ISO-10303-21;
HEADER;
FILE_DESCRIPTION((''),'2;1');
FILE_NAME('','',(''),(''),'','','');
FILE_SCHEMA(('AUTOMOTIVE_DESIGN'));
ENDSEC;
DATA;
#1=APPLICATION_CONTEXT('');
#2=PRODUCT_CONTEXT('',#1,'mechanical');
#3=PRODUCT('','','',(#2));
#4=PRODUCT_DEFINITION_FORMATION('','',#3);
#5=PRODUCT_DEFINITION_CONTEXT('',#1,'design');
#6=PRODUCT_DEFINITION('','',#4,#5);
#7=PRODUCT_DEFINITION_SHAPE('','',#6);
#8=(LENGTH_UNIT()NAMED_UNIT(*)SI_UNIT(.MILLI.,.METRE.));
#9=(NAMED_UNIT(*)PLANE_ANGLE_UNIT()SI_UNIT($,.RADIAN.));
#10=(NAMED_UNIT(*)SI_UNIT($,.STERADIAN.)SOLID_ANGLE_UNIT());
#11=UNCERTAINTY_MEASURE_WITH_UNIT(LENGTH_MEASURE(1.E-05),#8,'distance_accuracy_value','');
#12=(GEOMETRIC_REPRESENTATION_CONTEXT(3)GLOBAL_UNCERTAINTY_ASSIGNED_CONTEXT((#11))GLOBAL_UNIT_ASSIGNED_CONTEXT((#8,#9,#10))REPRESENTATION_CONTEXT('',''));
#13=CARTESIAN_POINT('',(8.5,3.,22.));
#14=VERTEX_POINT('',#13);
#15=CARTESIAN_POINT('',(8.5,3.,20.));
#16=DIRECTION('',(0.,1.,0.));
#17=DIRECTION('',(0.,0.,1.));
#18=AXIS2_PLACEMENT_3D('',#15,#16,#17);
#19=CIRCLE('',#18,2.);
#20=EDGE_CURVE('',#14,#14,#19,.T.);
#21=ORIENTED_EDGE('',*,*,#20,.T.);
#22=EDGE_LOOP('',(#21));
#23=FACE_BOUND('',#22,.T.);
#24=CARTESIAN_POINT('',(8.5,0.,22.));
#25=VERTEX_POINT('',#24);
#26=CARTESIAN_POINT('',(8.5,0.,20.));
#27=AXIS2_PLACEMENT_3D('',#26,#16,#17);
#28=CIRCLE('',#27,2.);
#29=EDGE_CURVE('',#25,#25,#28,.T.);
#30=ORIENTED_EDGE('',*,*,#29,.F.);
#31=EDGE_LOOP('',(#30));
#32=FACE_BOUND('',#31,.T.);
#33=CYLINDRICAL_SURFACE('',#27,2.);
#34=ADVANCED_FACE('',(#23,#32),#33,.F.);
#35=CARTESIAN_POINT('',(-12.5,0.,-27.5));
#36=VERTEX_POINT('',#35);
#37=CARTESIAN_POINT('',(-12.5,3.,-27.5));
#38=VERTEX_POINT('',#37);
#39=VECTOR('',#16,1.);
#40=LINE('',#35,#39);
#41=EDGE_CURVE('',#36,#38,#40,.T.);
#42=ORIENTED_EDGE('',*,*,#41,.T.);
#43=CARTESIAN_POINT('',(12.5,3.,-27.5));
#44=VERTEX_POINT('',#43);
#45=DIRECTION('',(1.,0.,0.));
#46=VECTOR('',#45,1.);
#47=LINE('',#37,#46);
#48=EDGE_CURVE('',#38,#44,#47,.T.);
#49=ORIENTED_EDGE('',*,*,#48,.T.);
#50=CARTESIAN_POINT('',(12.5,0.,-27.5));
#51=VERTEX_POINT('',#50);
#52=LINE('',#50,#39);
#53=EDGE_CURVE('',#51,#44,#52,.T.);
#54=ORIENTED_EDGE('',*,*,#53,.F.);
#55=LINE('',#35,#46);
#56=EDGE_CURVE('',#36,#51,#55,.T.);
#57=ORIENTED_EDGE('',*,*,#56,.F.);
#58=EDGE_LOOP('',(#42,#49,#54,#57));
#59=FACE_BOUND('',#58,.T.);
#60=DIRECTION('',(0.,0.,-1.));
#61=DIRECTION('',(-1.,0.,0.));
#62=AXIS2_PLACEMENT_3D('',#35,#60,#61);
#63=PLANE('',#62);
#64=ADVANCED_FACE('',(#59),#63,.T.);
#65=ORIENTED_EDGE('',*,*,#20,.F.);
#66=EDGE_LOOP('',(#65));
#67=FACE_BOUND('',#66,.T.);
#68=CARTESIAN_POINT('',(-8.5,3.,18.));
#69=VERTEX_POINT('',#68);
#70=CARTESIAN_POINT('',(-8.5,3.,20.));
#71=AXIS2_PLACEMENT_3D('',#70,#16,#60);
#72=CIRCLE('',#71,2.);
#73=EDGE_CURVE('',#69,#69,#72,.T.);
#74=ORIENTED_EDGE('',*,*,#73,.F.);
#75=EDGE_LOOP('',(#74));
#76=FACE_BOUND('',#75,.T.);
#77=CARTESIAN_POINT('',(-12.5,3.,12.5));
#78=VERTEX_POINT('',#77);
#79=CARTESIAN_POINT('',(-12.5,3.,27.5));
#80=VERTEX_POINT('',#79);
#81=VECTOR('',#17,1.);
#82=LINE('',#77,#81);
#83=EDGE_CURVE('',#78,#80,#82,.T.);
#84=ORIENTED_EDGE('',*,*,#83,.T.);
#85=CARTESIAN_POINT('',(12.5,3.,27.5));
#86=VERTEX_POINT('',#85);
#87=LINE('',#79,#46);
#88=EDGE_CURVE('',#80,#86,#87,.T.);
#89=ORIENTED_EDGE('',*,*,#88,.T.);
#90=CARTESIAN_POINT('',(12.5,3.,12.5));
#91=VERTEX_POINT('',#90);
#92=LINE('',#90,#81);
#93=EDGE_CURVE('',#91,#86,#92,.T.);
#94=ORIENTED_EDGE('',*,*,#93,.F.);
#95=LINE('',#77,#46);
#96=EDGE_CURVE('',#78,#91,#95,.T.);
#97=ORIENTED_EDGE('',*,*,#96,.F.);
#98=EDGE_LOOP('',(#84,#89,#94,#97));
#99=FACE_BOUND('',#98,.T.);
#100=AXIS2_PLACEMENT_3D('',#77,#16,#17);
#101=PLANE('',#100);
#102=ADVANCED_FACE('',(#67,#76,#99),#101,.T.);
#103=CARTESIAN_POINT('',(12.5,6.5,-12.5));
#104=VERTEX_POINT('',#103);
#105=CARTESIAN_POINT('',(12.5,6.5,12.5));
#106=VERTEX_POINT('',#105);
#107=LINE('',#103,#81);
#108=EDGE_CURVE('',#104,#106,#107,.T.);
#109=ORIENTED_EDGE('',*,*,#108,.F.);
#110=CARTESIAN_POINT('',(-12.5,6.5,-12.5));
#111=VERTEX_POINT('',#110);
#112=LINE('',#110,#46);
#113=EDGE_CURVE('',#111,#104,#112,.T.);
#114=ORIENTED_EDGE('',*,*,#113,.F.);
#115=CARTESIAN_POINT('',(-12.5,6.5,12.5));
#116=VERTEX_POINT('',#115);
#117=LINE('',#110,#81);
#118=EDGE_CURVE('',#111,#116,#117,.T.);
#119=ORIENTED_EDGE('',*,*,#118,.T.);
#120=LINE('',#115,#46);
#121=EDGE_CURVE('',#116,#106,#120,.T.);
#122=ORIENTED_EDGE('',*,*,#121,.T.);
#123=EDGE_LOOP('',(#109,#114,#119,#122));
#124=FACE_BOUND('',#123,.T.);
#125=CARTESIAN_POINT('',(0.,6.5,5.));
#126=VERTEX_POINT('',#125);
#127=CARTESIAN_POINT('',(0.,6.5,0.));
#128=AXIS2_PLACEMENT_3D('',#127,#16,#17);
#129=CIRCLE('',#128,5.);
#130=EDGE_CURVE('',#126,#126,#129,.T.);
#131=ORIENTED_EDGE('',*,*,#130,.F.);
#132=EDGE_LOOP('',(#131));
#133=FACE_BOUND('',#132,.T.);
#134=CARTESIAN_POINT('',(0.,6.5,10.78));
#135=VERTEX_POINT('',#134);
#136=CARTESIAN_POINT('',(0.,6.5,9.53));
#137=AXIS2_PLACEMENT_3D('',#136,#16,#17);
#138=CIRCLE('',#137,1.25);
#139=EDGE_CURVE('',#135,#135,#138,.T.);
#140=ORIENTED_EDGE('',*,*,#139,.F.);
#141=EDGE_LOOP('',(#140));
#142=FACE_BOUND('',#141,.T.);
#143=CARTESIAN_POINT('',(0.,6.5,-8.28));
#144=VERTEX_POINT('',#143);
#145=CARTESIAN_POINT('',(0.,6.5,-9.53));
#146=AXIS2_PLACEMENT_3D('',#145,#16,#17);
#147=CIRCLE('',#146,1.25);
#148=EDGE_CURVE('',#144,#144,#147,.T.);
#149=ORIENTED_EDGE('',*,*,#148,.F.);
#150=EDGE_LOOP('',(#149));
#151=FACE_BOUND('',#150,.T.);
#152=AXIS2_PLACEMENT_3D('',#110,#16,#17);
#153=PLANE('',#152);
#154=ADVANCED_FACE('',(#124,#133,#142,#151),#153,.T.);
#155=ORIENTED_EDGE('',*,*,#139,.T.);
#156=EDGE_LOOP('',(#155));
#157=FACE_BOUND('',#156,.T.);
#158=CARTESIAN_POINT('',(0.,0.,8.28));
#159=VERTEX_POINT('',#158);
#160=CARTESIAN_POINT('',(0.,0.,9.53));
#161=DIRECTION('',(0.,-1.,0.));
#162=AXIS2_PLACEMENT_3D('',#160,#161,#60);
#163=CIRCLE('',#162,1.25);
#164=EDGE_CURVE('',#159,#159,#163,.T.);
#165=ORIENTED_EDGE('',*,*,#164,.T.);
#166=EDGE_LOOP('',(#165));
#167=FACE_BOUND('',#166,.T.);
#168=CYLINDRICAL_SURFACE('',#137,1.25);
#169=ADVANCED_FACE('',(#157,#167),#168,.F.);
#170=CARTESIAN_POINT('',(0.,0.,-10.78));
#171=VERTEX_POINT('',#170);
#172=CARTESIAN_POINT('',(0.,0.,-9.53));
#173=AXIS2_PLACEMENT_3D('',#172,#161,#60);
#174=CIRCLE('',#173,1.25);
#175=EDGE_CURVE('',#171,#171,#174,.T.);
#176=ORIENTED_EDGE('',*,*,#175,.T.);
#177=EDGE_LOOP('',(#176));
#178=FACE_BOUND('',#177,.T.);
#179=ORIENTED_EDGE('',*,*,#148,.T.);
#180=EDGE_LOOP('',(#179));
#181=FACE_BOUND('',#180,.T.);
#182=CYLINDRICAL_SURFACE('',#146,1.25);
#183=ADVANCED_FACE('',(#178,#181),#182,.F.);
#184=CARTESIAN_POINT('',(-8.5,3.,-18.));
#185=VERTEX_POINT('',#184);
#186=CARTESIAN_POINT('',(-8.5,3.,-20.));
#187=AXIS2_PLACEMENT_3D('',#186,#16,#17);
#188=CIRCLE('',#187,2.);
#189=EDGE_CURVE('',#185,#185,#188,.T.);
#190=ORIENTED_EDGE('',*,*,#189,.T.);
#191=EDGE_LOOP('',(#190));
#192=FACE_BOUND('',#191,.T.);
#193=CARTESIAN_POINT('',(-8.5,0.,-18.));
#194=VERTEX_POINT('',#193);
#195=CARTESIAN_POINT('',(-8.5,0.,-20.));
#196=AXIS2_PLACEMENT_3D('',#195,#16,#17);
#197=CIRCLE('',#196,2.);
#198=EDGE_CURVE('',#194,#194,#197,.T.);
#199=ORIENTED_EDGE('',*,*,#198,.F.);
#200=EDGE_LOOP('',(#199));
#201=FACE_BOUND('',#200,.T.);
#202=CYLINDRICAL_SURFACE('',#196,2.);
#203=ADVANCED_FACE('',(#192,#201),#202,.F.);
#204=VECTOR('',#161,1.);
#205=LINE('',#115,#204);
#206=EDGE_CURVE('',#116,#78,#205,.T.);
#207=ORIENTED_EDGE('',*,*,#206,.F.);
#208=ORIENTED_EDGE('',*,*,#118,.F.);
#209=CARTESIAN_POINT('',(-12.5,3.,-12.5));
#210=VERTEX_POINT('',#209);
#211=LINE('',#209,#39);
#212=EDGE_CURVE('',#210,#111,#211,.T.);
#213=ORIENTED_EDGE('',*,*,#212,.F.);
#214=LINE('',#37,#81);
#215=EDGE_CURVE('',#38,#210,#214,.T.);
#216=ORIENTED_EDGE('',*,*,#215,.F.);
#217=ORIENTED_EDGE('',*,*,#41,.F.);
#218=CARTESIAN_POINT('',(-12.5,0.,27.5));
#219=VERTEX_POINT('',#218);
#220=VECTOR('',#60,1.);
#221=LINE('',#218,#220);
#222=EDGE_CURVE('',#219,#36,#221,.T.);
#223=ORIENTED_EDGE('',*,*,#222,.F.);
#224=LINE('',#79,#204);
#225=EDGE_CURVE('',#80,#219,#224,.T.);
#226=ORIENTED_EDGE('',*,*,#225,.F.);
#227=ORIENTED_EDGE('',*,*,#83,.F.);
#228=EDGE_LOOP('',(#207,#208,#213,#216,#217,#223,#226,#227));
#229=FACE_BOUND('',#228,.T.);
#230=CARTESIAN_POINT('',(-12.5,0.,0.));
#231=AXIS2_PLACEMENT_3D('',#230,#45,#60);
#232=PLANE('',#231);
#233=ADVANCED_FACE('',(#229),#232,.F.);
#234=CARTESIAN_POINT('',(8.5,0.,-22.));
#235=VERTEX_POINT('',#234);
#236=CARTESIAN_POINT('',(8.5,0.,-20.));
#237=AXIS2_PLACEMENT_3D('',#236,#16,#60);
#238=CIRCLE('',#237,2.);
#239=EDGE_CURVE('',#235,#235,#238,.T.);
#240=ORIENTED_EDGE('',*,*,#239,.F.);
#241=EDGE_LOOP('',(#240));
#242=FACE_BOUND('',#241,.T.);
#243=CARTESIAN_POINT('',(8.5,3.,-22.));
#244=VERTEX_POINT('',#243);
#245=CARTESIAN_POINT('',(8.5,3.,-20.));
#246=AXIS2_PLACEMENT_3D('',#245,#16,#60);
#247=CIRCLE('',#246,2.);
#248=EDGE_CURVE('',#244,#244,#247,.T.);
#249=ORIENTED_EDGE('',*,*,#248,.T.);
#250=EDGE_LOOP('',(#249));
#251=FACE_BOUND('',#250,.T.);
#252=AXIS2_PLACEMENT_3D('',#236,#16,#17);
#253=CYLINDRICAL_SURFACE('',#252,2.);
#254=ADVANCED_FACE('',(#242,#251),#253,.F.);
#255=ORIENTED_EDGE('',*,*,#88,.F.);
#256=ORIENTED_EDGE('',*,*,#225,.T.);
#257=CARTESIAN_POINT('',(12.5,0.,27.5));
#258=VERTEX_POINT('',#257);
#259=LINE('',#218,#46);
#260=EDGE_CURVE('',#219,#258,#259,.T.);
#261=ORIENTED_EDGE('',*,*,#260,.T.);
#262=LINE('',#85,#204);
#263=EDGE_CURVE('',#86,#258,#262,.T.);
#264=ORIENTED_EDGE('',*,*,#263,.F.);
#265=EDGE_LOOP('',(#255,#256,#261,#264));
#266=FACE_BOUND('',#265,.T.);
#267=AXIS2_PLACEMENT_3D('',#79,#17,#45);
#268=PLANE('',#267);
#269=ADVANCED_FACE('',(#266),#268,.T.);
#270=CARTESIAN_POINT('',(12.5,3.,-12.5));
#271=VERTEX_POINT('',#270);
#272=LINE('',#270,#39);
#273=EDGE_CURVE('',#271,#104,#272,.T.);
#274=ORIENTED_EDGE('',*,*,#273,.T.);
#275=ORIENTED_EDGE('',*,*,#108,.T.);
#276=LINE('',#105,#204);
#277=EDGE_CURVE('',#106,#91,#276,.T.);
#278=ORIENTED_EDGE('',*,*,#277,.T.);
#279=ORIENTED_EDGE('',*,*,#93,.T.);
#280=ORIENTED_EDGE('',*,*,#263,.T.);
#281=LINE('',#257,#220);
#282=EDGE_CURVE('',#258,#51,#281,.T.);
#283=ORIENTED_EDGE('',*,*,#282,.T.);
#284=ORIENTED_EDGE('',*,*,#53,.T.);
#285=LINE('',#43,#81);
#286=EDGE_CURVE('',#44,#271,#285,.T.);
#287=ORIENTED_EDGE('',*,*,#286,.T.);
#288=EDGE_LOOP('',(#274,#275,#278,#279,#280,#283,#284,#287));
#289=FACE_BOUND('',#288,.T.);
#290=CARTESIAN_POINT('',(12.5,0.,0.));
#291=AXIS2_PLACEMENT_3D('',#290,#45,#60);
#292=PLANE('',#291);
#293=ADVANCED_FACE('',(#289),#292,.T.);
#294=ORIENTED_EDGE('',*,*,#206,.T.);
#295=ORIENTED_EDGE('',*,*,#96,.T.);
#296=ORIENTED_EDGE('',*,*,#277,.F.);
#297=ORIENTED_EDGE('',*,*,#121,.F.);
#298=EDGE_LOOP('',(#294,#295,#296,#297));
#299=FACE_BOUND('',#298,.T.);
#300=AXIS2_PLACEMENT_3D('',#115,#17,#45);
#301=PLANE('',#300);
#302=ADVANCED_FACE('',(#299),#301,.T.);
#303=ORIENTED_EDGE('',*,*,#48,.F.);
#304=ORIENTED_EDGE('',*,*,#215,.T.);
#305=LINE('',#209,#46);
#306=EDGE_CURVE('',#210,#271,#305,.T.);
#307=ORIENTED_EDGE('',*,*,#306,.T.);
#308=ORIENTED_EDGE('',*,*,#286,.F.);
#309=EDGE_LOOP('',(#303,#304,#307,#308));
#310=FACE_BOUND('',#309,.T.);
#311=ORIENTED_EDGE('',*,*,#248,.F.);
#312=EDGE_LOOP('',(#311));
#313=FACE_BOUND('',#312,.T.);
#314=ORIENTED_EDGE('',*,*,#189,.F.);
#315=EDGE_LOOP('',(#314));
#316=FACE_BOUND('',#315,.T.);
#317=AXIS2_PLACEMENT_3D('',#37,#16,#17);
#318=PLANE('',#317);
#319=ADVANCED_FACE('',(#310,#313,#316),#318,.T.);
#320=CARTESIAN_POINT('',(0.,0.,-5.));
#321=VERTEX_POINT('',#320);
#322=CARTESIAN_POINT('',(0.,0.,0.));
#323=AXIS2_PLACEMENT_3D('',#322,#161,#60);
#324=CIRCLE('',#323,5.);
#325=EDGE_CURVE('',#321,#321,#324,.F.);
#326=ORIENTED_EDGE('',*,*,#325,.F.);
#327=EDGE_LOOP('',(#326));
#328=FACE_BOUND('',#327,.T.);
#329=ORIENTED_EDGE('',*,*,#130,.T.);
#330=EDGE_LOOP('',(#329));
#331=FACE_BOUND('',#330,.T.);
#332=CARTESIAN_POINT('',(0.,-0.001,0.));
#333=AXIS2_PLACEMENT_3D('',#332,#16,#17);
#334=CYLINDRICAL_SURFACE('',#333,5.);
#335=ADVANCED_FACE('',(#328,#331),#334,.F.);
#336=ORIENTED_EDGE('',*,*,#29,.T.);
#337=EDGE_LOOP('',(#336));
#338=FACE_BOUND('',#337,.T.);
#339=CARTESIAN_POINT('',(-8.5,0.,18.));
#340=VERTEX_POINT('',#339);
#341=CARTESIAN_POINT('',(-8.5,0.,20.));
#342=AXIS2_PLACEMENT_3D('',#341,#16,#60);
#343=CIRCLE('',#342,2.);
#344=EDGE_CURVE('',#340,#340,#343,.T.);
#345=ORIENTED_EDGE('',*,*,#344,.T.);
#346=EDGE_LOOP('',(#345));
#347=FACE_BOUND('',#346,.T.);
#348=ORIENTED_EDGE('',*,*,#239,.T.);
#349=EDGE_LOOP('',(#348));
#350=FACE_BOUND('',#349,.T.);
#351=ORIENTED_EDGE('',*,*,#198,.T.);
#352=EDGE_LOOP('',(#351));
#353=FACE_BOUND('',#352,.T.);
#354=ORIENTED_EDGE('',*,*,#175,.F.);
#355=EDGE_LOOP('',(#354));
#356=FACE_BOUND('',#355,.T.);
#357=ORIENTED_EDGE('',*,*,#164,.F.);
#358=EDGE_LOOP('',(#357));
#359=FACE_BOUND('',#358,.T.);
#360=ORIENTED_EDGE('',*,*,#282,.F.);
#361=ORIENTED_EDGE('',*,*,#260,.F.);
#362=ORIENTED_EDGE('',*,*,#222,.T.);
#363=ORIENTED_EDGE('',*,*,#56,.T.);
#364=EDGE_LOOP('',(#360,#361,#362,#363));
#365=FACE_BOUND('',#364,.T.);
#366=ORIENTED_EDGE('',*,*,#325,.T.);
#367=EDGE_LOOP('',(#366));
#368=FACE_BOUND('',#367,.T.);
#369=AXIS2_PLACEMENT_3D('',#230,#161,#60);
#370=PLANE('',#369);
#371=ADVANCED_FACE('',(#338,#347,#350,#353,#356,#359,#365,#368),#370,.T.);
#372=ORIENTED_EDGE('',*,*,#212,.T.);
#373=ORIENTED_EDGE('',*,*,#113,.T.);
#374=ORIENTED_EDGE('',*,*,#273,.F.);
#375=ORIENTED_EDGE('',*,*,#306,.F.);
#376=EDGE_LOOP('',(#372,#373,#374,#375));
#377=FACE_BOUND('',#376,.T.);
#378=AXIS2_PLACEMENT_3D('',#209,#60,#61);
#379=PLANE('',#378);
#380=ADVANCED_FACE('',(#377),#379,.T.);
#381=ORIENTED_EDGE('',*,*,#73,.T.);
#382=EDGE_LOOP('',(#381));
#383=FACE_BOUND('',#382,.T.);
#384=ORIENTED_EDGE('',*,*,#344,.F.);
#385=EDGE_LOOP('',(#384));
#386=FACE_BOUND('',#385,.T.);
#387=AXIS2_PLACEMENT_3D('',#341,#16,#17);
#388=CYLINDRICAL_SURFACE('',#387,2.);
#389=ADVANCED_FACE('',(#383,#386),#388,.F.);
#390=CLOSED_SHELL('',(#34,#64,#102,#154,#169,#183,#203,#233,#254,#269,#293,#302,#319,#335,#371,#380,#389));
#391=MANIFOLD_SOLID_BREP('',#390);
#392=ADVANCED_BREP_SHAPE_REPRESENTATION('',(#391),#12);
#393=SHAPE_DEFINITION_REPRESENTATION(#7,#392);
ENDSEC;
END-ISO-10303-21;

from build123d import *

# Parameters (mm, degrees)
BOSS_EXTRUDE1_DEPTH         = 12.5
BOSS_EXTRUDE1_DEPTH_BACK    = 12.5
SKETCH4_R                   = 2
CUT_EXTRUDE2_DEPTH          = 31.409702399
CUT_EXTRUDE3_REACH          = 32.899
SKETCH7_R                   = 5
TAP_DRILL_FOR_M3X0_5_TAP2_D = 2.5


with BuildPart() as part:
    # Sketch2 → Boss-Extrude1 (new, two sides: drawn at the far end of the back side and taken through both)
    with BuildSketch(Plane(origin=(0, 0, 0), x_dir=(0, 0, -1), z_dir=(1, 0, 0)).offset(-BOSS_EXTRUDE1_DEPTH_BACK)):
        Polygon((0, 0), (27.5, 0), (27.5, 3), (12.5, 3), (12.5, 6.5), (-12.5, 6.5), (-12.5, 3), (-27.5, 3), (-27.5, 0), align=None)
    extrude(amount=BOSS_EXTRUDE1_DEPTH + BOSS_EXTRUDE1_DEPTH_BACK)

    # Sketch4 → Cut-Extrude2 (cut, through all)
    with BuildSketch(Plane(origin=(0, 3, 0), x_dir=(1, 0, 0), z_dir=(0, 1, 0))):
        with Locations(Location((-8.5, 20, 0), (0, 0, 270))):
            Circle(SKETCH4_R)
        with Locations(Location((8.5, 20, 0), (0, 0, 90))):
            Circle(SKETCH4_R)
        with Locations(Location((8.5, -20, 0), (0, 0, 270))):
            Circle(SKETCH4_R)
        with Locations(Location((-8.5, -20, 0), (0, 0, 90))):
            Circle(SKETCH4_R)
    extrude(amount=-CUT_EXTRUDE2_DEPTH, mode=Mode.SUBTRACT)

    # Sketch7 → Cut-Extrude3 (cut, up to next)
    with BuildSketch(Plane(origin=(0, 6.5, 0), x_dir=(1, 0, 0), z_dir=(0, 1, 0)), mode=Mode.PRIVATE) as cut_extrude3_sk1:
        with Locations(Location((0, 0, 0), (0, 0, 270))):
            Circle(SKETCH7_R)
    cut_extrude3_tool1 = extrude(cut_extrude3_sk1.sketch, amount=-CUT_EXTRUDE3_REACH, mode=Mode.PRIVATE) & part.part
    add(cut_extrude3_tool1.solids().sort_by_distance((0, 6.5, 0))[0], mode=Mode.SUBTRACT)

    # Tap Drill for M3x0.5 Tap2 (through all)
    with Locations(Plane(origin=(0, 6.5, 0), x_dir=(1, 0, 0), z_dir=(0, 1, 0))):
        with Locations((0, 9.53), (0, -9.53)):
            Hole(TAP_DRILL_FOR_M3X0_5_TAP2_D / 2)


solid = part.part
